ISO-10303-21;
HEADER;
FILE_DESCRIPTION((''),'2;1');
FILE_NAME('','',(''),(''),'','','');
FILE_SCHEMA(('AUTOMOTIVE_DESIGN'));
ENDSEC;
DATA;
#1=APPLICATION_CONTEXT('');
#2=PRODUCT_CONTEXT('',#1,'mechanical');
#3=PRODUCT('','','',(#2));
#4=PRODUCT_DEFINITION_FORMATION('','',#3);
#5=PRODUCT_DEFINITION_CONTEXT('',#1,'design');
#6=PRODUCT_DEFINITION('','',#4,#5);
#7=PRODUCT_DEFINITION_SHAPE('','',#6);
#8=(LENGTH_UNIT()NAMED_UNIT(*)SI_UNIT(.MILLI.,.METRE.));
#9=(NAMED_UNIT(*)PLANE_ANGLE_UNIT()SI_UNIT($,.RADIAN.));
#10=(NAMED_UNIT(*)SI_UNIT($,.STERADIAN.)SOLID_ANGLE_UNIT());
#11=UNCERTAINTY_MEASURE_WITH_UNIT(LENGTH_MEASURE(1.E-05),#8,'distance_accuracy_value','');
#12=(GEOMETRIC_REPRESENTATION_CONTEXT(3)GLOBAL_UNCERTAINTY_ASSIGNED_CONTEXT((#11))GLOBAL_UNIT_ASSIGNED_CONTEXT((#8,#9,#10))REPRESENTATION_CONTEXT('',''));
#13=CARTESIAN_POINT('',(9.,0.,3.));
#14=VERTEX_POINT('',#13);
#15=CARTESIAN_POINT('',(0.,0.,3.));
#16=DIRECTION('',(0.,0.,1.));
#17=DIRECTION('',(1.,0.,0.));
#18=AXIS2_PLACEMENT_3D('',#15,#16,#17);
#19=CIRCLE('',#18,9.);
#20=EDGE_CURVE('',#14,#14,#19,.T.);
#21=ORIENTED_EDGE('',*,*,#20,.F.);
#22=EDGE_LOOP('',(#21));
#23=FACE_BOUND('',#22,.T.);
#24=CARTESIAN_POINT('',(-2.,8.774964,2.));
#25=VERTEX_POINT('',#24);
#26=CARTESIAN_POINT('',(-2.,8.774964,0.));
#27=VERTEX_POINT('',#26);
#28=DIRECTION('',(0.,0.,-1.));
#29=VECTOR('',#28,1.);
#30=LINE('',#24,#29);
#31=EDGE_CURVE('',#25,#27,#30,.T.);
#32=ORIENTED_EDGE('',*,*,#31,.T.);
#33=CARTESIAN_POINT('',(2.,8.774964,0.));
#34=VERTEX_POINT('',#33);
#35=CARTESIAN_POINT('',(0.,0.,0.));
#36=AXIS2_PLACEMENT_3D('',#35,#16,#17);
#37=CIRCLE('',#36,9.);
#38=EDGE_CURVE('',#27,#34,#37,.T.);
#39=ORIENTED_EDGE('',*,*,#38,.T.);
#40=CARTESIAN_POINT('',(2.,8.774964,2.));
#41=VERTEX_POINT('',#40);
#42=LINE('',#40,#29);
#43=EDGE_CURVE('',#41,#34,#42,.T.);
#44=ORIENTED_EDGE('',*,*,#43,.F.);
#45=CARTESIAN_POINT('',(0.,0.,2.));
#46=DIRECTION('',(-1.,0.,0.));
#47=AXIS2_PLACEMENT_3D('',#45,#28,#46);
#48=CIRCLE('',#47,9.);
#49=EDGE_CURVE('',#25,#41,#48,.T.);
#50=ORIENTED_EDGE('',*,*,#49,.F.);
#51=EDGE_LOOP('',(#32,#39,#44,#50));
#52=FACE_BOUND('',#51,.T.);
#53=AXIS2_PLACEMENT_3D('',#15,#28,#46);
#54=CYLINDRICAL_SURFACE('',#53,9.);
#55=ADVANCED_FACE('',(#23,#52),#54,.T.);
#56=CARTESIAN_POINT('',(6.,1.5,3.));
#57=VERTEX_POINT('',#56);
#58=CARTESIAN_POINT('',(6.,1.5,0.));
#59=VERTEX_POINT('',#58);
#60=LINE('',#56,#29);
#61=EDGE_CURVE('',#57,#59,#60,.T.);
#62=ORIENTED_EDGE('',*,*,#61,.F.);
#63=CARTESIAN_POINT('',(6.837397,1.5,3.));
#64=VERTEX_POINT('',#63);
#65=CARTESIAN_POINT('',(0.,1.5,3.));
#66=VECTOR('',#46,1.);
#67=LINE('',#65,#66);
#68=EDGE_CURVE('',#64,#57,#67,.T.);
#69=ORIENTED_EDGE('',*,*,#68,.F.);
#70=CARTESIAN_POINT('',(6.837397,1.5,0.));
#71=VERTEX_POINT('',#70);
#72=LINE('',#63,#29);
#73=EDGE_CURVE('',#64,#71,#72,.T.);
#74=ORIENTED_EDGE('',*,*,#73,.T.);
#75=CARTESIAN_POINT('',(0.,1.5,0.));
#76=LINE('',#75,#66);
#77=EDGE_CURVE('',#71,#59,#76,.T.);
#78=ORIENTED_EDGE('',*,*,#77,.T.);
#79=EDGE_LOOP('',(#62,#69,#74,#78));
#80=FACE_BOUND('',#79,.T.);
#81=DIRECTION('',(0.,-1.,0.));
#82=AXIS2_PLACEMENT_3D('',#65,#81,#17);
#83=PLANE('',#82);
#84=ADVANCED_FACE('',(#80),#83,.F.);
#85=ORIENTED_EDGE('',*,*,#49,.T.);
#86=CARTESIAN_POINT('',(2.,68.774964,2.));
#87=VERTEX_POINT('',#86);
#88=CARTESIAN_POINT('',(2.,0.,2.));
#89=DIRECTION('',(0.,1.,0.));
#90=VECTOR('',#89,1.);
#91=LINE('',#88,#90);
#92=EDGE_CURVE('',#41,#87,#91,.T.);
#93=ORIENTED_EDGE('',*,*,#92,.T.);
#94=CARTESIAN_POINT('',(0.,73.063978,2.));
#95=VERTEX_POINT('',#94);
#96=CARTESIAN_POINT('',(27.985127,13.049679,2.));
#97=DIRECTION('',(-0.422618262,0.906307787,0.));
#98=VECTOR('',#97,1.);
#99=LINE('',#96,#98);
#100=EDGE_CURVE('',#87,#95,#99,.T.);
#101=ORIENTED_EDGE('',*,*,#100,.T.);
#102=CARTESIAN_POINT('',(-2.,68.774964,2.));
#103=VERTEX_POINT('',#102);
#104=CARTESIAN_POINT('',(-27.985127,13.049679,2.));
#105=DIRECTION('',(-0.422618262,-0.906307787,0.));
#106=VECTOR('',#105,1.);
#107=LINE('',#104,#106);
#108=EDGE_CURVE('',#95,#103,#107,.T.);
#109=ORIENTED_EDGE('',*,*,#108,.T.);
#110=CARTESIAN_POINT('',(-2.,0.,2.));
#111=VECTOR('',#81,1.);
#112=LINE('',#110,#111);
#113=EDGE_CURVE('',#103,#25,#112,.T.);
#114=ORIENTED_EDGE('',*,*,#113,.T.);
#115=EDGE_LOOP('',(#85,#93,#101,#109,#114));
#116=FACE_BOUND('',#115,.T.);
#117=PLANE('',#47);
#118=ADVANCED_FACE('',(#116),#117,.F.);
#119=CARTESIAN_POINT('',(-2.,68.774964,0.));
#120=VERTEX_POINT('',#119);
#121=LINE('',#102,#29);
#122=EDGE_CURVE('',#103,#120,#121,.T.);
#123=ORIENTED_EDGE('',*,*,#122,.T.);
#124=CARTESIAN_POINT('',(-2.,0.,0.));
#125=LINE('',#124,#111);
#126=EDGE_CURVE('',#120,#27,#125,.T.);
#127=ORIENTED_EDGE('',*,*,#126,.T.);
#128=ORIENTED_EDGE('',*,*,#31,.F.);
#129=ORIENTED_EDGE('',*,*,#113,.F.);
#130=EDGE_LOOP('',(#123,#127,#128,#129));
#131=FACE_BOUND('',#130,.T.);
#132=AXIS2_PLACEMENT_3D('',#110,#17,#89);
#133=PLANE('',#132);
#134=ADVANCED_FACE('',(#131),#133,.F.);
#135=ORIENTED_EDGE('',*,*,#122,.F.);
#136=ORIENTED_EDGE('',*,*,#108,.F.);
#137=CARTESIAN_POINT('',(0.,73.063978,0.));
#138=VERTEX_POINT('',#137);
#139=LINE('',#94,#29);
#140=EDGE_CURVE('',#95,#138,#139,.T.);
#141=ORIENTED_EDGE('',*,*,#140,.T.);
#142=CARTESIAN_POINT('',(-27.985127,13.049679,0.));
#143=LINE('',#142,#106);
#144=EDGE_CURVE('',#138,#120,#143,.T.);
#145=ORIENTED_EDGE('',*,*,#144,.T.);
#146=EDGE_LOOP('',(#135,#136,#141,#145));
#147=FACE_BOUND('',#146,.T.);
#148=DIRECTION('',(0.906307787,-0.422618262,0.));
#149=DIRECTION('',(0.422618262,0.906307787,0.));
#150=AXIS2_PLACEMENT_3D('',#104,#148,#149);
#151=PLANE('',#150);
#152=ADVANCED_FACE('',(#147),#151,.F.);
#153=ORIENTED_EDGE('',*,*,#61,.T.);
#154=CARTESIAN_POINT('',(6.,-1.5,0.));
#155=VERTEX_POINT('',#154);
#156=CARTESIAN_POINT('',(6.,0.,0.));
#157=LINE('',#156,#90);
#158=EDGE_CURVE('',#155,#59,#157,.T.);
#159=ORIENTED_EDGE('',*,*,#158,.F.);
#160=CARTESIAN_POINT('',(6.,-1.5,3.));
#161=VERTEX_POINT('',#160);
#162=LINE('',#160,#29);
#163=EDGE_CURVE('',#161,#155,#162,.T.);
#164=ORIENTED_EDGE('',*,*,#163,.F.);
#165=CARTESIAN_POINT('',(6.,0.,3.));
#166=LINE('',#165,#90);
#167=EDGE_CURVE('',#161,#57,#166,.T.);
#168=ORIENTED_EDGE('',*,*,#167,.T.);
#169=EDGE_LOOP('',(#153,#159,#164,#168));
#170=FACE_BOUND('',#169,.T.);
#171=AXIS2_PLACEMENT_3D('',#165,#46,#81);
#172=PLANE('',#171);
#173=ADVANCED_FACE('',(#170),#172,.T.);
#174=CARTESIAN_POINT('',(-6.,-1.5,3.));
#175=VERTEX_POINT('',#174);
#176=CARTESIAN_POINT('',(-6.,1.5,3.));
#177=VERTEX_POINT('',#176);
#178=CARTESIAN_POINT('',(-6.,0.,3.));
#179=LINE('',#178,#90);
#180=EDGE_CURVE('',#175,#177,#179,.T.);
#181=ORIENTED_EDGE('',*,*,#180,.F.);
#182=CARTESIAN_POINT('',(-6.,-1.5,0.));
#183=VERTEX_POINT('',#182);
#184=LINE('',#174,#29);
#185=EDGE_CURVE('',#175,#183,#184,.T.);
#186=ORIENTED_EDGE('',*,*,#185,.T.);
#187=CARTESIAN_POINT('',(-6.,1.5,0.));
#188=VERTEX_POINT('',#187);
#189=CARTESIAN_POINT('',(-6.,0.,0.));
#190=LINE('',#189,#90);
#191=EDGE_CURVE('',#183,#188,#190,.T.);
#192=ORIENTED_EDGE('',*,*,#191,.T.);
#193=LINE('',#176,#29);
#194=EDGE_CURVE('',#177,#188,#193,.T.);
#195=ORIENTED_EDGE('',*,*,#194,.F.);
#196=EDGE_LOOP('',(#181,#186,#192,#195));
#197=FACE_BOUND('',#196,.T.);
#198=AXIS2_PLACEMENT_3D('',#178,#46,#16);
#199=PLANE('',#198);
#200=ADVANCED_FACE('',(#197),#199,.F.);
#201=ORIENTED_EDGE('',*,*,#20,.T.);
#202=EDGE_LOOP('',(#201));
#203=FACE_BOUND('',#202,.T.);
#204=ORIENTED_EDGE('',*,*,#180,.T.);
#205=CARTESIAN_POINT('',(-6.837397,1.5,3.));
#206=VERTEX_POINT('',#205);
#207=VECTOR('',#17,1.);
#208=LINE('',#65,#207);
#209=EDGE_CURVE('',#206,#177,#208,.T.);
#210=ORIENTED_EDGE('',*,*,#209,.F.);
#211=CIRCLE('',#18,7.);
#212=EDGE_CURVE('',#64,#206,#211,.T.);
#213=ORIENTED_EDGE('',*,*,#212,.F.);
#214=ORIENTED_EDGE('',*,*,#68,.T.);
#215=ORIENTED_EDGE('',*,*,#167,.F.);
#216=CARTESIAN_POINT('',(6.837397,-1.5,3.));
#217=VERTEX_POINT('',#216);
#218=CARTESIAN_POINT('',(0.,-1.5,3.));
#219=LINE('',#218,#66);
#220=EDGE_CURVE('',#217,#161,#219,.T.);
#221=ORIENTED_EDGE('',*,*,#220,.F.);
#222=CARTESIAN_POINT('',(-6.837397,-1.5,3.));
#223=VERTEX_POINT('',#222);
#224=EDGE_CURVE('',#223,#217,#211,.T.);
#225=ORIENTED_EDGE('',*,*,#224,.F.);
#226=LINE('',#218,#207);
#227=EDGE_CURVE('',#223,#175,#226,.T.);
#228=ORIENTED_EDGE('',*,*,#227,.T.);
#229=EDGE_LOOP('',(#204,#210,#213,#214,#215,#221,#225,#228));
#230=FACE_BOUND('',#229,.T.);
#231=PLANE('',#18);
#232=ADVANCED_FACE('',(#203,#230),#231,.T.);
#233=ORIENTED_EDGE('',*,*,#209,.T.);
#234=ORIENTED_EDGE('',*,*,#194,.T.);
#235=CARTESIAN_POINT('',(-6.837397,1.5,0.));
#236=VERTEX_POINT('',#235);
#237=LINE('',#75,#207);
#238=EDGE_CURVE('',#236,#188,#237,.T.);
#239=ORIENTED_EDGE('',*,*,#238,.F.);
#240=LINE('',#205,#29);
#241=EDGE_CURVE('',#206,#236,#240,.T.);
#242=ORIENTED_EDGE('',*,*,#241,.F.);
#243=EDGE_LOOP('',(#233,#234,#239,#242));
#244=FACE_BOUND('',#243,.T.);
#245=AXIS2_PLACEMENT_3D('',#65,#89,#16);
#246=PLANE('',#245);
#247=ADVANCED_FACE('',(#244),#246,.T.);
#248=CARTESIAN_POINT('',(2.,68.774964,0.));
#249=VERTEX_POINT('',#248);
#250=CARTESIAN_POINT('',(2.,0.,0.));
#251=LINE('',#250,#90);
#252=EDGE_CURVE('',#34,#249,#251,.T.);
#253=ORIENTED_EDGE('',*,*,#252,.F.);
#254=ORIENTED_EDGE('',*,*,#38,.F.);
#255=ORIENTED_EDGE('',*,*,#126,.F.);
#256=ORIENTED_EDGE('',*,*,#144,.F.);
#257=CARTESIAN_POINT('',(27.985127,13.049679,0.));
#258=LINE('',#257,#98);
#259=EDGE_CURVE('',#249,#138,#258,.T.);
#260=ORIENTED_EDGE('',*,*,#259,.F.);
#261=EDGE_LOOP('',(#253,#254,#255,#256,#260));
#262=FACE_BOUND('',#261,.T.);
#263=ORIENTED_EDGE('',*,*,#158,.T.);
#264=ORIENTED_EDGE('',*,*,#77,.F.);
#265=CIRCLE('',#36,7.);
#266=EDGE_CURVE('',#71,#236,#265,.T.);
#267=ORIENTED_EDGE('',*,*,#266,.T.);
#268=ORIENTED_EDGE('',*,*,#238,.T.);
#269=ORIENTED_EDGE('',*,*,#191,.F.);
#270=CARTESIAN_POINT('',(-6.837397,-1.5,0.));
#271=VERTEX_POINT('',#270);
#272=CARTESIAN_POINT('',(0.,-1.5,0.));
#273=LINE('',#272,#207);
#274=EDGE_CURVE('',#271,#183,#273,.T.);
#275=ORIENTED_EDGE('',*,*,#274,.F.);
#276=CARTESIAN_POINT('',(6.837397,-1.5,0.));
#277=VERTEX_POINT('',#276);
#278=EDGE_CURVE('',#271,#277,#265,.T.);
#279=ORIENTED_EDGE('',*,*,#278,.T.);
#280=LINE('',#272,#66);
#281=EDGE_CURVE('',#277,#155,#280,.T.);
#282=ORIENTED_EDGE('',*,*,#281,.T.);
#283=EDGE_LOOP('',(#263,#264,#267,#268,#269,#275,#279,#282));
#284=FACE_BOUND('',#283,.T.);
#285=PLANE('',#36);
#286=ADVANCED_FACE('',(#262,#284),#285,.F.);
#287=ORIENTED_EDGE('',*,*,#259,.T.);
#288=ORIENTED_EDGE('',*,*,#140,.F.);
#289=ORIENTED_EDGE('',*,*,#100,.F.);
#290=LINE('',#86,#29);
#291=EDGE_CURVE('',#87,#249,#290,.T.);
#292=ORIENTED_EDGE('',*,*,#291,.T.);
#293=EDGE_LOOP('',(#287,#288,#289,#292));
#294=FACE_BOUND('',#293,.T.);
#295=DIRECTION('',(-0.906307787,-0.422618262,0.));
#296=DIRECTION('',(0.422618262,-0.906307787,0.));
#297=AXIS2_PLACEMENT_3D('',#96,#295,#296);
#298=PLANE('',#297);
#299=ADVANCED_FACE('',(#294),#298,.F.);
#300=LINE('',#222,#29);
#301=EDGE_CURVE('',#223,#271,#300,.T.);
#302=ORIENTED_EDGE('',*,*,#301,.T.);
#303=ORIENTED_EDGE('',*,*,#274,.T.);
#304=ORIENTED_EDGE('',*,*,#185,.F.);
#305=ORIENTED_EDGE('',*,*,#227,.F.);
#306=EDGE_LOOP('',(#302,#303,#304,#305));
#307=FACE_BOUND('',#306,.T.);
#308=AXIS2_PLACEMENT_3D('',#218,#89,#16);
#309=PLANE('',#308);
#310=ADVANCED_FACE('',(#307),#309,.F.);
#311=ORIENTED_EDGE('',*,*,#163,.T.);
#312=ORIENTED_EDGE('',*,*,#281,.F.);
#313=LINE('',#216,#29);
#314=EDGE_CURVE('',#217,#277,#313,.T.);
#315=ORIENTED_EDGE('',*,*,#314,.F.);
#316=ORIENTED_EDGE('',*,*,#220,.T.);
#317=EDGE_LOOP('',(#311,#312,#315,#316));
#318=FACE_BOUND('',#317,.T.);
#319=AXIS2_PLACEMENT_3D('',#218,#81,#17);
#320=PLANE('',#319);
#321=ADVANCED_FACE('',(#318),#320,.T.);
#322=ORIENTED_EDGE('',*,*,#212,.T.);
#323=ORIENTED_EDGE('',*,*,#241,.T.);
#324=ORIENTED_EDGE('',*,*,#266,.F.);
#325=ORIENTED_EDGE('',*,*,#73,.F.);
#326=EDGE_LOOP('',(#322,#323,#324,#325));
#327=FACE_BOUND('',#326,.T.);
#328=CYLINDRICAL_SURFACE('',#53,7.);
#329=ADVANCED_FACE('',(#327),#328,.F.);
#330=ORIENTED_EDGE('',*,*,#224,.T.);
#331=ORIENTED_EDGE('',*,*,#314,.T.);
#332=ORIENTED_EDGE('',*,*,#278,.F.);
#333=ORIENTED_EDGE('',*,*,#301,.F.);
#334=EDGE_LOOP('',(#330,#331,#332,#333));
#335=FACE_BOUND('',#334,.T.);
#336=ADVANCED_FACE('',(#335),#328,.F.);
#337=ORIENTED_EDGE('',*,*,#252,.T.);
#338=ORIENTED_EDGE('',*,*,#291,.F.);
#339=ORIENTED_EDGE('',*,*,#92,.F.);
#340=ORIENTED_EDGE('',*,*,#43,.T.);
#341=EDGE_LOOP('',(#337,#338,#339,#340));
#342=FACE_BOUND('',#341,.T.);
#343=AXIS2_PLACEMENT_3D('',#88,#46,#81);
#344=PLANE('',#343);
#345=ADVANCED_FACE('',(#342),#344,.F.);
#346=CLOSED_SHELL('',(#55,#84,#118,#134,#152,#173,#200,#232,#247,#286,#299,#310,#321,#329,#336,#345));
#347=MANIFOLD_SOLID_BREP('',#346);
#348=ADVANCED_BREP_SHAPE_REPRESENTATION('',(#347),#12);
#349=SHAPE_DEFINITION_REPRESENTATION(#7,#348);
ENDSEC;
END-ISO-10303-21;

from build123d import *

# Parameters (mm, degrees)
SKETCH1_R           = 9
BOSS_EXTRUDE1_DEPTH = 3
BOSS_EXTRUDE2_DEPTH = 2


with BuildPart() as part:
    # Sketch1 → Boss-Extrude1 (new body)
    with BuildSketch(Plane.XY):
        Circle(SKETCH1_R)
        with BuildLine():
            Line((-6.837397166, -1.5), (-8, -1.5))
            Line((-8, -1.5), (-8, 1.5))
            Line((-8, 1.5), (-6.837397166, 1.5))
            ThreePointArc((-6.837397166, 1.5), (0, 7), (6.837397166, 1.5))
            Line((6.837397166, 1.5), (8, 1.5))
            Line((8, 1.5), (8, -1.5))
            Line((8, -1.5), (6.837397166, -1.5))
            ThreePointArc((6.837397166, -1.5), (0, -7), (-6.837397166, -1.5))
        make_face(mode=Mode.SUBTRACT)
        with BuildLine():
            Line((6, -1.5), (6.837397166, -1.5))
            ThreePointArc((6.837397166, -1.5), (6.959230567, -0.754393744), (7, 0))
            ThreePointArc((7, 0), (6.959230567, 0.754393744), (6.837397166, 1.5))
            Line((6.837397166, 1.5), (6, 1.5))
            Line((6, 1.5), (6, -1.5))
        make_face()
        with BuildLine():
            ThreePointArc((7, 0), (6.959230567, -0.754393744), (6.837397166, -1.5))
            Line((6.837397166, -1.5), (8, -1.5))
            Line((8, -1.5), (8, 1.5))
            Line((8, 1.5), (6.837397166, 1.5))
            ThreePointArc((6.837397166, 1.5), (6.959230567, 0.754393744), (7, 0))
        make_face()
        with BuildLine():
            Line((-8, 1.5), (-8, -1.5))
            Line((-8, -1.5), (-6.837397166, -1.5))
            ThreePointArc((-6.837397166, -1.5), (-7, 0), (-6.837397166, 1.5))
            Line((-6.837397166, 1.5), (-8, 1.5))
        make_face()
        with BuildLine():
            ThreePointArc((-6.837397166, 1.5), (-7, 0), (-6.837397166, -1.5))
            Line((-6.837397166, -1.5), (-6, -1.5))
            Line((-6, -1.5), (-6, 1.5))
            Line((-6, 1.5), (-6.837397166, 1.5))
        make_face()
    extrude(amount=BOSS_EXTRUDE1_DEPTH)

    # Sketch2 → Boss-Extrude2 (add)
    with BuildSketch(Plane(origin=(0, 0, 0), x_dir=(-1, 0, 0), z_dir=(0, 0, -1))):
        with BuildLine():
            Line((-2, 68.774964387), (-2, 8.774964387))
            ThreePointArc((-2, 8.774964387), (0, 9), (2, 8.774964387))
            Line((2, 8.774964387), (2, 68.774964387))
            Line((2, 68.774964387), (0, 73.063978228))
            Line((0, 73.063978228), (-2, 68.774964387))
        make_face()
    extrude(amount=-BOSS_EXTRUDE2_DEPTH)


solid = part.part
